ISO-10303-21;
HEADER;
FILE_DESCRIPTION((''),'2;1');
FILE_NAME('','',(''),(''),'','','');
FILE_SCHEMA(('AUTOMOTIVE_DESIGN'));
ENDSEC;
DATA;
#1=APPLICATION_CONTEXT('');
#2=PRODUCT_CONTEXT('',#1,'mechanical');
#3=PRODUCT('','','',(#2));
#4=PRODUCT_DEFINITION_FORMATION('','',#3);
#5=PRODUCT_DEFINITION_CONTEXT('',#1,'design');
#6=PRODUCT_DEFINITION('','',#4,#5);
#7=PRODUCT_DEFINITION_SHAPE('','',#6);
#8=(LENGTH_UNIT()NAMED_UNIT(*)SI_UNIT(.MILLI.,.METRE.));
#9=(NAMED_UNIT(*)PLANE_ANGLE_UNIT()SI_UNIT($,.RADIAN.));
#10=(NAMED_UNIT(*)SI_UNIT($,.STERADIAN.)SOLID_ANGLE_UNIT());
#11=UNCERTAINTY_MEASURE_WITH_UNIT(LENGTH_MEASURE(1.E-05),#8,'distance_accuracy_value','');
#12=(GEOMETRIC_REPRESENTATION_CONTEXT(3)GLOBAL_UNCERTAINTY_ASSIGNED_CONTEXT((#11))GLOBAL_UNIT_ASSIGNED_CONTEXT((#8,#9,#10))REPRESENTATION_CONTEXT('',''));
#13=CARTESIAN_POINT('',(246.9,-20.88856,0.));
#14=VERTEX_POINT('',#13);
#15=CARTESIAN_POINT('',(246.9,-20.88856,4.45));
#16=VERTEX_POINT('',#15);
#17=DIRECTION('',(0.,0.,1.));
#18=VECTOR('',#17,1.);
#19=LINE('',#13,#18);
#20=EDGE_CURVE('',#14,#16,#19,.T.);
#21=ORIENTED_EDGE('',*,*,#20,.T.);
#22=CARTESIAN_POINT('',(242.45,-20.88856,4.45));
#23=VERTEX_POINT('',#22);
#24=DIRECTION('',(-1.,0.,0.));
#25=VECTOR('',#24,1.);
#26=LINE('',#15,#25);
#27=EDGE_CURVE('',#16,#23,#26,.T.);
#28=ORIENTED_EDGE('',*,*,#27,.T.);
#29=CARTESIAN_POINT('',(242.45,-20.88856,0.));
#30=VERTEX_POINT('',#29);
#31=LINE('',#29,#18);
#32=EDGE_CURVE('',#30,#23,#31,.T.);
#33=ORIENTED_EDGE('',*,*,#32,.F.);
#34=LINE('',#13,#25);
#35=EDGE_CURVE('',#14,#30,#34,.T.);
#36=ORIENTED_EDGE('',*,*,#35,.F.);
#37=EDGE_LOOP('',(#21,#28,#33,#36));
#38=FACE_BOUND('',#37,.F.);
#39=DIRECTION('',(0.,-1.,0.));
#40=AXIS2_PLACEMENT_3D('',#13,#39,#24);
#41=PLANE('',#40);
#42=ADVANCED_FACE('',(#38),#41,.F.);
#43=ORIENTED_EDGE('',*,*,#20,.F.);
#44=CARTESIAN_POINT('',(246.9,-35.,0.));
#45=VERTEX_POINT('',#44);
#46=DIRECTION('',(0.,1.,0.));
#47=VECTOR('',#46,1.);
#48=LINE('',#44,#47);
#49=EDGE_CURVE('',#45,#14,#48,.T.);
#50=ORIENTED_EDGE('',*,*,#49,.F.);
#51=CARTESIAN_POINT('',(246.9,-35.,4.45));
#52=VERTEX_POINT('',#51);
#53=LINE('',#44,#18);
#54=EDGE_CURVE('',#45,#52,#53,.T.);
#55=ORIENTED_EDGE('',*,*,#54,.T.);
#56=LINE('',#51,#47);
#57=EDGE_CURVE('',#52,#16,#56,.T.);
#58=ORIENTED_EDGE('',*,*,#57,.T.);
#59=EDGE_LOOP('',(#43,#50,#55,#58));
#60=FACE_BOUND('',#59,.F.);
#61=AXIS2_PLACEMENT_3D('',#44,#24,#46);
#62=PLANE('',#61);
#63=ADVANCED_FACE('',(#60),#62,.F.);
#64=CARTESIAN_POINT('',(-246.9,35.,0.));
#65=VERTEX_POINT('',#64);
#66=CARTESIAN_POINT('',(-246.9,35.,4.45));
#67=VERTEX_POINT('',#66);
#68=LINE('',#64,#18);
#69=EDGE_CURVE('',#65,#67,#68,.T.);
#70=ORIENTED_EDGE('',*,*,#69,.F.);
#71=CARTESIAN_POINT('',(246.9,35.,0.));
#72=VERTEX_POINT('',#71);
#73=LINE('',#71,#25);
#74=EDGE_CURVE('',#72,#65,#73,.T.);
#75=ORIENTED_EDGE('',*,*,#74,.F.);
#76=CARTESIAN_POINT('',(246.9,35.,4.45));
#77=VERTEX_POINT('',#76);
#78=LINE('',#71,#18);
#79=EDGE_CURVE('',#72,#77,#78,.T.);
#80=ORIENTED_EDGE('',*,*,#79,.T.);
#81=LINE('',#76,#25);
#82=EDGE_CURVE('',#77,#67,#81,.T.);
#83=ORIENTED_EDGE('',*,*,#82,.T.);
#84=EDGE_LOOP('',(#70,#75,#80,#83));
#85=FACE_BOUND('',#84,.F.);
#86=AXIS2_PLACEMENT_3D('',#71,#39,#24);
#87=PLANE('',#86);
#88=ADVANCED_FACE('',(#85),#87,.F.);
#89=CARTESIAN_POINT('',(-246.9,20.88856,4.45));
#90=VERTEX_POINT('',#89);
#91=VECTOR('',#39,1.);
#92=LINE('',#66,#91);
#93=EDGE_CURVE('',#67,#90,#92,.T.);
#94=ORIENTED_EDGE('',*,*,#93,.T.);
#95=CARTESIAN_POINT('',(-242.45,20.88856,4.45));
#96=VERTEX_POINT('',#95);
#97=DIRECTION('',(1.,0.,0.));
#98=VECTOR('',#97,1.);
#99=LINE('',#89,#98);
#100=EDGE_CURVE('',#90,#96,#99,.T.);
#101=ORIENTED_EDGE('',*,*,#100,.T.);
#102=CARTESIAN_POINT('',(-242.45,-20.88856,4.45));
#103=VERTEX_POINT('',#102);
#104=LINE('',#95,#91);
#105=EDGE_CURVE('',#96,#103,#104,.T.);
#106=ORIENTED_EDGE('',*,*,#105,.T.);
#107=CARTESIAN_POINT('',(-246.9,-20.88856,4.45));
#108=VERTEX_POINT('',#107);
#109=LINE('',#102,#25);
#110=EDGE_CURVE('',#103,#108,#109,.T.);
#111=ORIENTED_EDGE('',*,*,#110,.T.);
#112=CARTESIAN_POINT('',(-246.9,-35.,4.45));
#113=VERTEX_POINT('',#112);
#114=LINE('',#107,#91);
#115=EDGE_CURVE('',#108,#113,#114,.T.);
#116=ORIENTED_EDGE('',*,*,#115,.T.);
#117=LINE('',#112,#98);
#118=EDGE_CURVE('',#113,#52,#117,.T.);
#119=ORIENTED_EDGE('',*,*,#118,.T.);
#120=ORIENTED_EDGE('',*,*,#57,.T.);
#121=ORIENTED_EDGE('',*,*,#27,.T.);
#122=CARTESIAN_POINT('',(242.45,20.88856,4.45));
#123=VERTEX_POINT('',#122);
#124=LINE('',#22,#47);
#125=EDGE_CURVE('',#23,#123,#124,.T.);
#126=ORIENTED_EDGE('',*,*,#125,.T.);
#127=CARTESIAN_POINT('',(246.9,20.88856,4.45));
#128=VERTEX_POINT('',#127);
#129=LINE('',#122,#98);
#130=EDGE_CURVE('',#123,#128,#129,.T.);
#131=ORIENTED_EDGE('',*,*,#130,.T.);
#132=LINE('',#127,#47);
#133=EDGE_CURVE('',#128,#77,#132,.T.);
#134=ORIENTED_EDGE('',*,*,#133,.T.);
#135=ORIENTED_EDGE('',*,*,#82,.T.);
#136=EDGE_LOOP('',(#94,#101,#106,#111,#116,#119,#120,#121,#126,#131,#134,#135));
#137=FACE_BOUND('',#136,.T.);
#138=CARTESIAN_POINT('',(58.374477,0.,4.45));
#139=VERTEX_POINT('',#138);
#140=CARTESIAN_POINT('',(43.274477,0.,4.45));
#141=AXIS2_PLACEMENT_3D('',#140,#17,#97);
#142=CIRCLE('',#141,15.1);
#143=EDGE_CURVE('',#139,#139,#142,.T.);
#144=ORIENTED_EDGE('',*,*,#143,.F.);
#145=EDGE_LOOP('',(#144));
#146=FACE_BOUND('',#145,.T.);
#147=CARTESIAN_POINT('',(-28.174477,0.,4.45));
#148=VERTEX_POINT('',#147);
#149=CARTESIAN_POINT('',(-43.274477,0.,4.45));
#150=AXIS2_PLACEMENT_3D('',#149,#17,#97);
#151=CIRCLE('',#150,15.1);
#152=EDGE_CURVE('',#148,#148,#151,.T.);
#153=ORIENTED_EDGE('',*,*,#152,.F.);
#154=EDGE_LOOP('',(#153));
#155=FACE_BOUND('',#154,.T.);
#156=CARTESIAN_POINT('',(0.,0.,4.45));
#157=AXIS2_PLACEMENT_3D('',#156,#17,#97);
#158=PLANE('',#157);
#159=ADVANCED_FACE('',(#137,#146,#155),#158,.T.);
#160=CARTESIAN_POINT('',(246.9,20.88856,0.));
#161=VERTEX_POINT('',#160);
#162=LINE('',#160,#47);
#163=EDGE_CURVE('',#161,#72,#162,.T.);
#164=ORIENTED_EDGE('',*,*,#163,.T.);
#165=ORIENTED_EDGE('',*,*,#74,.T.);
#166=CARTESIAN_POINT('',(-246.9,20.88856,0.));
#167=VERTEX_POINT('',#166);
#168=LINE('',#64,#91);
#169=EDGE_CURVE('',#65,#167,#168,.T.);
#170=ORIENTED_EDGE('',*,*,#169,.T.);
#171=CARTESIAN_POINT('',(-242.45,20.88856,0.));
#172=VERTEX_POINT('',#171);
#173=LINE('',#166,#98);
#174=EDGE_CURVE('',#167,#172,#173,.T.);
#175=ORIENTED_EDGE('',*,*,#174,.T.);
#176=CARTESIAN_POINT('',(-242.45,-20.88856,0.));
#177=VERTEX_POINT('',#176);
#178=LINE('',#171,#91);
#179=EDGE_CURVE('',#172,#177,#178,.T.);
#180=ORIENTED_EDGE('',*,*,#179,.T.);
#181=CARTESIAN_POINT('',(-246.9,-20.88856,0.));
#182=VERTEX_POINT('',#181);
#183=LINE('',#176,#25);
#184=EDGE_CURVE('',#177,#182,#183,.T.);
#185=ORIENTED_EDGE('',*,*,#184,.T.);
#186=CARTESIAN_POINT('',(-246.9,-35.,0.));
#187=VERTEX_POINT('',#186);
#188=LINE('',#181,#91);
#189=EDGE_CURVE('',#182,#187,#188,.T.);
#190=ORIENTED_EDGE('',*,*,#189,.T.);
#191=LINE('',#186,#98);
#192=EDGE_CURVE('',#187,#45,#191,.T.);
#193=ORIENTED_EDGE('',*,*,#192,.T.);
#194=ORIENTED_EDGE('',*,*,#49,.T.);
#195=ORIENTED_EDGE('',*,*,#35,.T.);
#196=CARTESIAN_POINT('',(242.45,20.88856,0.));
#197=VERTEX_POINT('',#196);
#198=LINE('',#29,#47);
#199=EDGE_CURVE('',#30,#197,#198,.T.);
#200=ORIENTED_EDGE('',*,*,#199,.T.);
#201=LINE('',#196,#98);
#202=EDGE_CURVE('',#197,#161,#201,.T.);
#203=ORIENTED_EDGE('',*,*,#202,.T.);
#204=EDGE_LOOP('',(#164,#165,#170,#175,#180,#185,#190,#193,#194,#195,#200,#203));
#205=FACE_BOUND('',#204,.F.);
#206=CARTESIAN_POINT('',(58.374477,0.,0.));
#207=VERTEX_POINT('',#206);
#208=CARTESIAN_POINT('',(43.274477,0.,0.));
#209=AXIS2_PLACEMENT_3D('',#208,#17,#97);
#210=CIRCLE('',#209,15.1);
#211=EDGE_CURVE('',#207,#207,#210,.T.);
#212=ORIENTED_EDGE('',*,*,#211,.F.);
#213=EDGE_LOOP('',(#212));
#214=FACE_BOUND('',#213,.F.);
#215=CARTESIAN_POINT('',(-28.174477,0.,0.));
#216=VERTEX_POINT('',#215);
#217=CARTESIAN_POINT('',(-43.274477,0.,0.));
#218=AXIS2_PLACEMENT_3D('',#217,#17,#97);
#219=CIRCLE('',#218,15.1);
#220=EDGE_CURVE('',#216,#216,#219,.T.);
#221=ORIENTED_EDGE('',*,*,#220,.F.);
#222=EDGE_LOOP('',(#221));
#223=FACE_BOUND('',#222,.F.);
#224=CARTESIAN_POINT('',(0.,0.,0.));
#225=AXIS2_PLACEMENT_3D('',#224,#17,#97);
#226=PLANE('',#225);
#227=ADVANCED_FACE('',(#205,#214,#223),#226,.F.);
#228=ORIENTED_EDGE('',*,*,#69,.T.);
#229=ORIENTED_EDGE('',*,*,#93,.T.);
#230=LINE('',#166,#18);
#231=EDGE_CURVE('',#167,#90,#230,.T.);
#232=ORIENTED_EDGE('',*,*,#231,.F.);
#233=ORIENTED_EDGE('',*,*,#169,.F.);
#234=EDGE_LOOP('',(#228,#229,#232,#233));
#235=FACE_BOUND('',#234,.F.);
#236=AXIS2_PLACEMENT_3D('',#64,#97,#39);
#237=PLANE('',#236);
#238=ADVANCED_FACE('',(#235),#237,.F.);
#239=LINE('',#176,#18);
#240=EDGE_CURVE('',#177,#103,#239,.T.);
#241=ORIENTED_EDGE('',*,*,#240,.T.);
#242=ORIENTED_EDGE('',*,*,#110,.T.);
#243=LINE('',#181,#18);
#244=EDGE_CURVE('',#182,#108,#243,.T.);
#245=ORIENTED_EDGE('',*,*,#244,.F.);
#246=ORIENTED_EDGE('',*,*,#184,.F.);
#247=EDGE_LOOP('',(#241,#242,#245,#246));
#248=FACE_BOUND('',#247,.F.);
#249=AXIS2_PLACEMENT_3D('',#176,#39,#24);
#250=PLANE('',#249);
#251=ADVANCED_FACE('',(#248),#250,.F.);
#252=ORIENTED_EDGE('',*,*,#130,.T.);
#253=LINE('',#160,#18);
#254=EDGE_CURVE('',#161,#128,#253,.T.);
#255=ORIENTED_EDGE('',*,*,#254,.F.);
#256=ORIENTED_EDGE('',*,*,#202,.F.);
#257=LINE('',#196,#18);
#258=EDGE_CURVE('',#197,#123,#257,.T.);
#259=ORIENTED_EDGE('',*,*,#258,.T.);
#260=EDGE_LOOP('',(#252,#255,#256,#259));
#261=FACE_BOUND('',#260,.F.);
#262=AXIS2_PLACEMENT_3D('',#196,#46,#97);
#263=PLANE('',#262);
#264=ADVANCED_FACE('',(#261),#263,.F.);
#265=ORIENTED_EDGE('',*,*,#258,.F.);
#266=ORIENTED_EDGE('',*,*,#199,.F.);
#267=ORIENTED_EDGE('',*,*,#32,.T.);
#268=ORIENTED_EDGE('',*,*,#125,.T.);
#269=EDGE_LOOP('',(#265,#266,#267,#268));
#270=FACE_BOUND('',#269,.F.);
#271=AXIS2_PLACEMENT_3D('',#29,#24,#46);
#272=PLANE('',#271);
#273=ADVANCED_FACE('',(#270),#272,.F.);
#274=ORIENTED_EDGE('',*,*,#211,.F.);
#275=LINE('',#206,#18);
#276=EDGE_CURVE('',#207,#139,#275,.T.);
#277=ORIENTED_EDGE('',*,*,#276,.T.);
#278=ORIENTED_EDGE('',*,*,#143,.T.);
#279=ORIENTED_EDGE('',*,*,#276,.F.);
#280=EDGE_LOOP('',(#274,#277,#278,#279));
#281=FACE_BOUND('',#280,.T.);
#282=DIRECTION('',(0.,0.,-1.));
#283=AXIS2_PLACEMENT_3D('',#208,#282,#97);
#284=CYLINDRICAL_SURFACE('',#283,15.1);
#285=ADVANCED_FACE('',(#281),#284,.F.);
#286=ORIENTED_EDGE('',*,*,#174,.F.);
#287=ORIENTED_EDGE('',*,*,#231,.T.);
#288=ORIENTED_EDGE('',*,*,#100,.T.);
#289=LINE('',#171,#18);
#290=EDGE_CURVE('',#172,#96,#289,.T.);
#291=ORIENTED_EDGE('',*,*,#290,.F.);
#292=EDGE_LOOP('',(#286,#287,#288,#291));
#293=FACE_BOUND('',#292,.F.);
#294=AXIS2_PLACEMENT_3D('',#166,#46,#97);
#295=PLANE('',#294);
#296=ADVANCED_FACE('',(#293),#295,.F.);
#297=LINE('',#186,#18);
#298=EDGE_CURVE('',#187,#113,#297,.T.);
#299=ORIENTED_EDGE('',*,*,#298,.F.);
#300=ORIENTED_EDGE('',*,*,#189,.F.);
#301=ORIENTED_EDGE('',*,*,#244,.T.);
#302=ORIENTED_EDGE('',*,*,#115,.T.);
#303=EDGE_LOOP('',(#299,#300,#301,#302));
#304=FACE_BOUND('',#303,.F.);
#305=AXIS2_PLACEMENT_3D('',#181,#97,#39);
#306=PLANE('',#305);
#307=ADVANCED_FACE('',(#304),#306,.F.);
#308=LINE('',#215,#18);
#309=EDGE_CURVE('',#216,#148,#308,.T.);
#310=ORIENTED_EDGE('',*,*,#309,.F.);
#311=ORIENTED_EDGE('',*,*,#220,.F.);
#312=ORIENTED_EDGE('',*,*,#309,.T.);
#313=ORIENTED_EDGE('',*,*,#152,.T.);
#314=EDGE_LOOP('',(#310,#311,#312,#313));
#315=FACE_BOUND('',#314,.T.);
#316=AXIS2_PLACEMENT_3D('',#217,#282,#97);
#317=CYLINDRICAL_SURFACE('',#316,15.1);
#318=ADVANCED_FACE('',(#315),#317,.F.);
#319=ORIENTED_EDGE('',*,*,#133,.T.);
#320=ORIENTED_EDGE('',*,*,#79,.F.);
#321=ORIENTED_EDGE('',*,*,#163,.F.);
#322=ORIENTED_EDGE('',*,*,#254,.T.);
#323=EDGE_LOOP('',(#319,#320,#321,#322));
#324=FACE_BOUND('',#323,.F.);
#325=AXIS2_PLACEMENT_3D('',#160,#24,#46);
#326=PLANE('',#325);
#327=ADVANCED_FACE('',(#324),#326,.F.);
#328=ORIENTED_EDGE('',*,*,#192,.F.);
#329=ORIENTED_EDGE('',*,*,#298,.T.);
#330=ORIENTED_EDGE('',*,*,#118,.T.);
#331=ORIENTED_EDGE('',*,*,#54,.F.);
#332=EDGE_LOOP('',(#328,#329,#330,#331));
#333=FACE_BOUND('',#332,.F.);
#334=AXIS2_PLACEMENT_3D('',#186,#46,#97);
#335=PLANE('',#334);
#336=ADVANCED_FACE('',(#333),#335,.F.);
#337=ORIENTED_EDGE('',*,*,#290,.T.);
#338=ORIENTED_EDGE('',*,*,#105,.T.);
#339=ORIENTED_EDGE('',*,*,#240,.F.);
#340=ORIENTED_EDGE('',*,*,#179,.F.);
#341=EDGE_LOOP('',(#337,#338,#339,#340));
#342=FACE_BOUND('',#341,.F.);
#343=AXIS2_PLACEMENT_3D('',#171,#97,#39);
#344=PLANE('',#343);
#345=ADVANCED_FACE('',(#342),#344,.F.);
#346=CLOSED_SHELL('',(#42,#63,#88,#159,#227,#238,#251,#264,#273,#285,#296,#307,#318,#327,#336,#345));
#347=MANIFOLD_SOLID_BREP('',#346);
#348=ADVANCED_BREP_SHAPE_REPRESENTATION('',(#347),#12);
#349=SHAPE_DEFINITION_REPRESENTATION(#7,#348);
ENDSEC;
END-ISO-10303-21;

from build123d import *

# Parameters (mm, degrees)
F0_R     = 15.1
F1_DEPTH = 4.45


with BuildPart() as f1:
    # F0 (on Top) → F1 (new body)
    with BuildSketch(Plane.XY):
        Polygon((-242.45, -35), (242.45, -35), (246.9, -35), (246.9, -20.88856), (242.45, -20.88856), (242.45, 20.88856), (246.9, 20.88856), (246.9, 35), (242.45, 35), (-242.45, 35), (-246.9, 35), (-246.9, 20.88856), (-242.45, 20.88856), (-242.45, -20.88856), (-246.9, -20.88856), (-246.9, -35), align=None)
        with Locations((-43.274477, 0)):
            Circle(F0_R, mode=Mode.SUBTRACT)
        with Locations((43.274477, 0)):
            Circle(F0_R, mode=Mode.SUBTRACT)
    extrude(amount=F1_DEPTH)


solid = f1.part
